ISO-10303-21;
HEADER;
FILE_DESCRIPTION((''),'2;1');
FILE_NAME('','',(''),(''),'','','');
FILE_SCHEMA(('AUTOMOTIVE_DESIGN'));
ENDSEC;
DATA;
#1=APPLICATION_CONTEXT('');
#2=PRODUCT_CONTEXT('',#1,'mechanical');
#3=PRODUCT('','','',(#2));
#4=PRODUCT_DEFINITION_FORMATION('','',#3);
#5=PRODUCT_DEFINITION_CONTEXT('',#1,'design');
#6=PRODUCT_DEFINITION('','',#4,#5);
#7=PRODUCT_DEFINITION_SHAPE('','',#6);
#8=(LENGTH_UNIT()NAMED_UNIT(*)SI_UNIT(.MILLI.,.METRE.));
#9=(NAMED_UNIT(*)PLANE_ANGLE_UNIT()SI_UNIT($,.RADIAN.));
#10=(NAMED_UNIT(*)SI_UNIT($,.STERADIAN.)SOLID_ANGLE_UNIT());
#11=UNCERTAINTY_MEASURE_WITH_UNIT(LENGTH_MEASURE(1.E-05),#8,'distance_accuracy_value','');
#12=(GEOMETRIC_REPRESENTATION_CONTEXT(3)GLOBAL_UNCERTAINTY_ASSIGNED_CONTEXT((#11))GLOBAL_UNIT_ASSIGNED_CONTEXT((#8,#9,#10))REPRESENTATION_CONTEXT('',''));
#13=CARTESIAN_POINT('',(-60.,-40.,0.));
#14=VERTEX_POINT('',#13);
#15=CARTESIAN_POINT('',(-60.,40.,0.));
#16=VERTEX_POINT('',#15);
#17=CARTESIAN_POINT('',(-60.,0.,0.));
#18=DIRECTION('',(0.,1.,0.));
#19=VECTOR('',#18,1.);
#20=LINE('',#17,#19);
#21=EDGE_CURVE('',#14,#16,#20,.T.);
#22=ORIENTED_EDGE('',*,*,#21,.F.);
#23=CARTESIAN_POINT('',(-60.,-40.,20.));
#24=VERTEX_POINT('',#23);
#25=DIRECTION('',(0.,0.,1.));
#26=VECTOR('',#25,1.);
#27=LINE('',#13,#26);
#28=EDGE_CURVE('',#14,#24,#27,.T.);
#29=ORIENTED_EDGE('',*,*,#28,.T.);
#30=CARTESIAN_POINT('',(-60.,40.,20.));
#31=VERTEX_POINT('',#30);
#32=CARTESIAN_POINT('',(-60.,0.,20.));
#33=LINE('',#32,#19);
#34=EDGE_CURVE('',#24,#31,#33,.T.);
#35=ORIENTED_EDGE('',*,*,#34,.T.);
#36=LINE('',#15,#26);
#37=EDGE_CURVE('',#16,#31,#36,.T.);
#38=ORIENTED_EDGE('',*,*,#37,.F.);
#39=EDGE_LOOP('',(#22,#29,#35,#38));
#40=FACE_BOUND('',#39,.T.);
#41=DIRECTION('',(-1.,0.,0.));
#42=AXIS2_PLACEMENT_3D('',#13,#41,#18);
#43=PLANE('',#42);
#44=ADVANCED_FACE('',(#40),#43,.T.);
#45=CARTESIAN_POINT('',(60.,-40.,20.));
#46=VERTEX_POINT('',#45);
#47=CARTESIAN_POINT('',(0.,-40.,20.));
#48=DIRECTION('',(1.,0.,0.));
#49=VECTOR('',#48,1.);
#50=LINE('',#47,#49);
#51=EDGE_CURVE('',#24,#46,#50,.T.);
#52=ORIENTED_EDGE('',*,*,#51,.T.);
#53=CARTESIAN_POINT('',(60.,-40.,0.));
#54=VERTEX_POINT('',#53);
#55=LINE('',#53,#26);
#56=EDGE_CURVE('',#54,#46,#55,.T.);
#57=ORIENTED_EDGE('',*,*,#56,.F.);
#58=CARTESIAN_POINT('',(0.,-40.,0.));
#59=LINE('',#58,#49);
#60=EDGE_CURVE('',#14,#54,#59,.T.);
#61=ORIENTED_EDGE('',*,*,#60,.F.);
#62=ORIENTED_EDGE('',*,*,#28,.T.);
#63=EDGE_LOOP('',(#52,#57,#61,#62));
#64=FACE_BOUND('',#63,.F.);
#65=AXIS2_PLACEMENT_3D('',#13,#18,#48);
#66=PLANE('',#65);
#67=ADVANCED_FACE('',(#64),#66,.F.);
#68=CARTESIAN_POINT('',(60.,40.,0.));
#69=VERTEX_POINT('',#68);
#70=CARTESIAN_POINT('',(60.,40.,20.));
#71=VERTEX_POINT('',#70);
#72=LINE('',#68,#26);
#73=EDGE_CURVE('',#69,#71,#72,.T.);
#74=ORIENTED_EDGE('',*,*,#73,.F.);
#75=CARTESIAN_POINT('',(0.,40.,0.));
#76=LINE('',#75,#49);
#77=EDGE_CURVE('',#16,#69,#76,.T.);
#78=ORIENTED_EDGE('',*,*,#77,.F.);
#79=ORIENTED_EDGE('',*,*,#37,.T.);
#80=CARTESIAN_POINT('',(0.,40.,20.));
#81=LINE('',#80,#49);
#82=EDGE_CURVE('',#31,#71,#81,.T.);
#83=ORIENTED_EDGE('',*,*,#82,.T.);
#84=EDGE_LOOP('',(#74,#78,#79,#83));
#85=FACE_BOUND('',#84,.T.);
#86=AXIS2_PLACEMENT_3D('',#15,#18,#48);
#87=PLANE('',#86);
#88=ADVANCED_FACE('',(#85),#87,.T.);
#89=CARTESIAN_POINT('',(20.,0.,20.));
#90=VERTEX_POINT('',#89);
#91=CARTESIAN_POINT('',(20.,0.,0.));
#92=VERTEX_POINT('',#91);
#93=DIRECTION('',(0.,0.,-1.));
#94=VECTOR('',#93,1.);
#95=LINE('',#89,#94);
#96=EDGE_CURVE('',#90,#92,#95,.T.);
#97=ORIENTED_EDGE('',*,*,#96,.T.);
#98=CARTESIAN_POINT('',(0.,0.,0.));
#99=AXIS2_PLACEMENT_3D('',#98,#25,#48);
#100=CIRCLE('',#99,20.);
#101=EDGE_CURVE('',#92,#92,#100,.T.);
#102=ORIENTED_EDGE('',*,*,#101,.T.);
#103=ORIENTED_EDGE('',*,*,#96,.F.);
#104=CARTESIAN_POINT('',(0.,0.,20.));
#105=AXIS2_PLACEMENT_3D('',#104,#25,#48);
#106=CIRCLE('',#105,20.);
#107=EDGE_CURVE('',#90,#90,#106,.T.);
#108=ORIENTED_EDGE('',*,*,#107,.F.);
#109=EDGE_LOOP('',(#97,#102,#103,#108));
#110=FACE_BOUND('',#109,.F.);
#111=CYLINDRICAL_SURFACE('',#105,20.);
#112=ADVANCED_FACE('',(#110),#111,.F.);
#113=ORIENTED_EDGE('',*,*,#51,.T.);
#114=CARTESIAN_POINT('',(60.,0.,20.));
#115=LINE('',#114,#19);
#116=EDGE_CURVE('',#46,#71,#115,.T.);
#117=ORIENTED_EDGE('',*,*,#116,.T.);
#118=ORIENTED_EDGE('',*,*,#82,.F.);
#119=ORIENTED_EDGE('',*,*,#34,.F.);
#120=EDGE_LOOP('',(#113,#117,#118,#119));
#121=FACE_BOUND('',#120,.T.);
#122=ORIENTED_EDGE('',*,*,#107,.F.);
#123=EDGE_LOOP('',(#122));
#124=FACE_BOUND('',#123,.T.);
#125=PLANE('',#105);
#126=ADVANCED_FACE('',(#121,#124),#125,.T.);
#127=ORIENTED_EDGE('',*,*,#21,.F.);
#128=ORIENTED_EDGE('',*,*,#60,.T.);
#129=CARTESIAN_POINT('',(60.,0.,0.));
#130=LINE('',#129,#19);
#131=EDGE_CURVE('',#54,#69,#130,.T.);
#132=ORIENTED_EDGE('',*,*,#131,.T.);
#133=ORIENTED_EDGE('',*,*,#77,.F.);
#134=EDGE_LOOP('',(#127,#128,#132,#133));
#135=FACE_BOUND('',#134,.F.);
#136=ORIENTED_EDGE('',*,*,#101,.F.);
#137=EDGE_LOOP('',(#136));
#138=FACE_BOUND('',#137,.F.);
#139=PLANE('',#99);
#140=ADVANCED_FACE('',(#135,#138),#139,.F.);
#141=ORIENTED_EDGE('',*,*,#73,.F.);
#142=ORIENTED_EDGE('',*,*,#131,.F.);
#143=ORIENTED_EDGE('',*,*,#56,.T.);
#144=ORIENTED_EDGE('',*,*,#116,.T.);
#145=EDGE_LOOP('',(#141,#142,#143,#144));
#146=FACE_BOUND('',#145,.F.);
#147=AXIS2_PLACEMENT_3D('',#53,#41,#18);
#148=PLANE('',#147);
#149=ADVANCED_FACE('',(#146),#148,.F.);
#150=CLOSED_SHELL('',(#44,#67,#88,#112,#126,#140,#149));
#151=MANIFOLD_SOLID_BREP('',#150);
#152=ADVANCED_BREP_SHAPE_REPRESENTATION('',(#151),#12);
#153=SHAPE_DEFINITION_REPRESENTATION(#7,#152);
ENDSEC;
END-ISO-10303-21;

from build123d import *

# Parameters (mm, degrees)
SKETCH_W     = 120
SKETCH_H     = 80
PAD_DEPTH    = 20
SKETCH001_R  = 20
POCKET_DEPTH = 20


with BuildPart() as part:
    # Sketch → Pad (new body)
    with BuildSketch(Plane.XY):
        Rectangle(SKETCH_W, SKETCH_H)
    extrude(amount=PAD_DEPTH)

    # Sketch001 (on Face6 of Pad) → Pocket (cut)
    with BuildSketch(Plane.XY.offset(20)):
        Circle(SKETCH001_R)
    extrude(amount=-POCKET_DEPTH, mode=Mode.SUBTRACT)


solid = part.part
